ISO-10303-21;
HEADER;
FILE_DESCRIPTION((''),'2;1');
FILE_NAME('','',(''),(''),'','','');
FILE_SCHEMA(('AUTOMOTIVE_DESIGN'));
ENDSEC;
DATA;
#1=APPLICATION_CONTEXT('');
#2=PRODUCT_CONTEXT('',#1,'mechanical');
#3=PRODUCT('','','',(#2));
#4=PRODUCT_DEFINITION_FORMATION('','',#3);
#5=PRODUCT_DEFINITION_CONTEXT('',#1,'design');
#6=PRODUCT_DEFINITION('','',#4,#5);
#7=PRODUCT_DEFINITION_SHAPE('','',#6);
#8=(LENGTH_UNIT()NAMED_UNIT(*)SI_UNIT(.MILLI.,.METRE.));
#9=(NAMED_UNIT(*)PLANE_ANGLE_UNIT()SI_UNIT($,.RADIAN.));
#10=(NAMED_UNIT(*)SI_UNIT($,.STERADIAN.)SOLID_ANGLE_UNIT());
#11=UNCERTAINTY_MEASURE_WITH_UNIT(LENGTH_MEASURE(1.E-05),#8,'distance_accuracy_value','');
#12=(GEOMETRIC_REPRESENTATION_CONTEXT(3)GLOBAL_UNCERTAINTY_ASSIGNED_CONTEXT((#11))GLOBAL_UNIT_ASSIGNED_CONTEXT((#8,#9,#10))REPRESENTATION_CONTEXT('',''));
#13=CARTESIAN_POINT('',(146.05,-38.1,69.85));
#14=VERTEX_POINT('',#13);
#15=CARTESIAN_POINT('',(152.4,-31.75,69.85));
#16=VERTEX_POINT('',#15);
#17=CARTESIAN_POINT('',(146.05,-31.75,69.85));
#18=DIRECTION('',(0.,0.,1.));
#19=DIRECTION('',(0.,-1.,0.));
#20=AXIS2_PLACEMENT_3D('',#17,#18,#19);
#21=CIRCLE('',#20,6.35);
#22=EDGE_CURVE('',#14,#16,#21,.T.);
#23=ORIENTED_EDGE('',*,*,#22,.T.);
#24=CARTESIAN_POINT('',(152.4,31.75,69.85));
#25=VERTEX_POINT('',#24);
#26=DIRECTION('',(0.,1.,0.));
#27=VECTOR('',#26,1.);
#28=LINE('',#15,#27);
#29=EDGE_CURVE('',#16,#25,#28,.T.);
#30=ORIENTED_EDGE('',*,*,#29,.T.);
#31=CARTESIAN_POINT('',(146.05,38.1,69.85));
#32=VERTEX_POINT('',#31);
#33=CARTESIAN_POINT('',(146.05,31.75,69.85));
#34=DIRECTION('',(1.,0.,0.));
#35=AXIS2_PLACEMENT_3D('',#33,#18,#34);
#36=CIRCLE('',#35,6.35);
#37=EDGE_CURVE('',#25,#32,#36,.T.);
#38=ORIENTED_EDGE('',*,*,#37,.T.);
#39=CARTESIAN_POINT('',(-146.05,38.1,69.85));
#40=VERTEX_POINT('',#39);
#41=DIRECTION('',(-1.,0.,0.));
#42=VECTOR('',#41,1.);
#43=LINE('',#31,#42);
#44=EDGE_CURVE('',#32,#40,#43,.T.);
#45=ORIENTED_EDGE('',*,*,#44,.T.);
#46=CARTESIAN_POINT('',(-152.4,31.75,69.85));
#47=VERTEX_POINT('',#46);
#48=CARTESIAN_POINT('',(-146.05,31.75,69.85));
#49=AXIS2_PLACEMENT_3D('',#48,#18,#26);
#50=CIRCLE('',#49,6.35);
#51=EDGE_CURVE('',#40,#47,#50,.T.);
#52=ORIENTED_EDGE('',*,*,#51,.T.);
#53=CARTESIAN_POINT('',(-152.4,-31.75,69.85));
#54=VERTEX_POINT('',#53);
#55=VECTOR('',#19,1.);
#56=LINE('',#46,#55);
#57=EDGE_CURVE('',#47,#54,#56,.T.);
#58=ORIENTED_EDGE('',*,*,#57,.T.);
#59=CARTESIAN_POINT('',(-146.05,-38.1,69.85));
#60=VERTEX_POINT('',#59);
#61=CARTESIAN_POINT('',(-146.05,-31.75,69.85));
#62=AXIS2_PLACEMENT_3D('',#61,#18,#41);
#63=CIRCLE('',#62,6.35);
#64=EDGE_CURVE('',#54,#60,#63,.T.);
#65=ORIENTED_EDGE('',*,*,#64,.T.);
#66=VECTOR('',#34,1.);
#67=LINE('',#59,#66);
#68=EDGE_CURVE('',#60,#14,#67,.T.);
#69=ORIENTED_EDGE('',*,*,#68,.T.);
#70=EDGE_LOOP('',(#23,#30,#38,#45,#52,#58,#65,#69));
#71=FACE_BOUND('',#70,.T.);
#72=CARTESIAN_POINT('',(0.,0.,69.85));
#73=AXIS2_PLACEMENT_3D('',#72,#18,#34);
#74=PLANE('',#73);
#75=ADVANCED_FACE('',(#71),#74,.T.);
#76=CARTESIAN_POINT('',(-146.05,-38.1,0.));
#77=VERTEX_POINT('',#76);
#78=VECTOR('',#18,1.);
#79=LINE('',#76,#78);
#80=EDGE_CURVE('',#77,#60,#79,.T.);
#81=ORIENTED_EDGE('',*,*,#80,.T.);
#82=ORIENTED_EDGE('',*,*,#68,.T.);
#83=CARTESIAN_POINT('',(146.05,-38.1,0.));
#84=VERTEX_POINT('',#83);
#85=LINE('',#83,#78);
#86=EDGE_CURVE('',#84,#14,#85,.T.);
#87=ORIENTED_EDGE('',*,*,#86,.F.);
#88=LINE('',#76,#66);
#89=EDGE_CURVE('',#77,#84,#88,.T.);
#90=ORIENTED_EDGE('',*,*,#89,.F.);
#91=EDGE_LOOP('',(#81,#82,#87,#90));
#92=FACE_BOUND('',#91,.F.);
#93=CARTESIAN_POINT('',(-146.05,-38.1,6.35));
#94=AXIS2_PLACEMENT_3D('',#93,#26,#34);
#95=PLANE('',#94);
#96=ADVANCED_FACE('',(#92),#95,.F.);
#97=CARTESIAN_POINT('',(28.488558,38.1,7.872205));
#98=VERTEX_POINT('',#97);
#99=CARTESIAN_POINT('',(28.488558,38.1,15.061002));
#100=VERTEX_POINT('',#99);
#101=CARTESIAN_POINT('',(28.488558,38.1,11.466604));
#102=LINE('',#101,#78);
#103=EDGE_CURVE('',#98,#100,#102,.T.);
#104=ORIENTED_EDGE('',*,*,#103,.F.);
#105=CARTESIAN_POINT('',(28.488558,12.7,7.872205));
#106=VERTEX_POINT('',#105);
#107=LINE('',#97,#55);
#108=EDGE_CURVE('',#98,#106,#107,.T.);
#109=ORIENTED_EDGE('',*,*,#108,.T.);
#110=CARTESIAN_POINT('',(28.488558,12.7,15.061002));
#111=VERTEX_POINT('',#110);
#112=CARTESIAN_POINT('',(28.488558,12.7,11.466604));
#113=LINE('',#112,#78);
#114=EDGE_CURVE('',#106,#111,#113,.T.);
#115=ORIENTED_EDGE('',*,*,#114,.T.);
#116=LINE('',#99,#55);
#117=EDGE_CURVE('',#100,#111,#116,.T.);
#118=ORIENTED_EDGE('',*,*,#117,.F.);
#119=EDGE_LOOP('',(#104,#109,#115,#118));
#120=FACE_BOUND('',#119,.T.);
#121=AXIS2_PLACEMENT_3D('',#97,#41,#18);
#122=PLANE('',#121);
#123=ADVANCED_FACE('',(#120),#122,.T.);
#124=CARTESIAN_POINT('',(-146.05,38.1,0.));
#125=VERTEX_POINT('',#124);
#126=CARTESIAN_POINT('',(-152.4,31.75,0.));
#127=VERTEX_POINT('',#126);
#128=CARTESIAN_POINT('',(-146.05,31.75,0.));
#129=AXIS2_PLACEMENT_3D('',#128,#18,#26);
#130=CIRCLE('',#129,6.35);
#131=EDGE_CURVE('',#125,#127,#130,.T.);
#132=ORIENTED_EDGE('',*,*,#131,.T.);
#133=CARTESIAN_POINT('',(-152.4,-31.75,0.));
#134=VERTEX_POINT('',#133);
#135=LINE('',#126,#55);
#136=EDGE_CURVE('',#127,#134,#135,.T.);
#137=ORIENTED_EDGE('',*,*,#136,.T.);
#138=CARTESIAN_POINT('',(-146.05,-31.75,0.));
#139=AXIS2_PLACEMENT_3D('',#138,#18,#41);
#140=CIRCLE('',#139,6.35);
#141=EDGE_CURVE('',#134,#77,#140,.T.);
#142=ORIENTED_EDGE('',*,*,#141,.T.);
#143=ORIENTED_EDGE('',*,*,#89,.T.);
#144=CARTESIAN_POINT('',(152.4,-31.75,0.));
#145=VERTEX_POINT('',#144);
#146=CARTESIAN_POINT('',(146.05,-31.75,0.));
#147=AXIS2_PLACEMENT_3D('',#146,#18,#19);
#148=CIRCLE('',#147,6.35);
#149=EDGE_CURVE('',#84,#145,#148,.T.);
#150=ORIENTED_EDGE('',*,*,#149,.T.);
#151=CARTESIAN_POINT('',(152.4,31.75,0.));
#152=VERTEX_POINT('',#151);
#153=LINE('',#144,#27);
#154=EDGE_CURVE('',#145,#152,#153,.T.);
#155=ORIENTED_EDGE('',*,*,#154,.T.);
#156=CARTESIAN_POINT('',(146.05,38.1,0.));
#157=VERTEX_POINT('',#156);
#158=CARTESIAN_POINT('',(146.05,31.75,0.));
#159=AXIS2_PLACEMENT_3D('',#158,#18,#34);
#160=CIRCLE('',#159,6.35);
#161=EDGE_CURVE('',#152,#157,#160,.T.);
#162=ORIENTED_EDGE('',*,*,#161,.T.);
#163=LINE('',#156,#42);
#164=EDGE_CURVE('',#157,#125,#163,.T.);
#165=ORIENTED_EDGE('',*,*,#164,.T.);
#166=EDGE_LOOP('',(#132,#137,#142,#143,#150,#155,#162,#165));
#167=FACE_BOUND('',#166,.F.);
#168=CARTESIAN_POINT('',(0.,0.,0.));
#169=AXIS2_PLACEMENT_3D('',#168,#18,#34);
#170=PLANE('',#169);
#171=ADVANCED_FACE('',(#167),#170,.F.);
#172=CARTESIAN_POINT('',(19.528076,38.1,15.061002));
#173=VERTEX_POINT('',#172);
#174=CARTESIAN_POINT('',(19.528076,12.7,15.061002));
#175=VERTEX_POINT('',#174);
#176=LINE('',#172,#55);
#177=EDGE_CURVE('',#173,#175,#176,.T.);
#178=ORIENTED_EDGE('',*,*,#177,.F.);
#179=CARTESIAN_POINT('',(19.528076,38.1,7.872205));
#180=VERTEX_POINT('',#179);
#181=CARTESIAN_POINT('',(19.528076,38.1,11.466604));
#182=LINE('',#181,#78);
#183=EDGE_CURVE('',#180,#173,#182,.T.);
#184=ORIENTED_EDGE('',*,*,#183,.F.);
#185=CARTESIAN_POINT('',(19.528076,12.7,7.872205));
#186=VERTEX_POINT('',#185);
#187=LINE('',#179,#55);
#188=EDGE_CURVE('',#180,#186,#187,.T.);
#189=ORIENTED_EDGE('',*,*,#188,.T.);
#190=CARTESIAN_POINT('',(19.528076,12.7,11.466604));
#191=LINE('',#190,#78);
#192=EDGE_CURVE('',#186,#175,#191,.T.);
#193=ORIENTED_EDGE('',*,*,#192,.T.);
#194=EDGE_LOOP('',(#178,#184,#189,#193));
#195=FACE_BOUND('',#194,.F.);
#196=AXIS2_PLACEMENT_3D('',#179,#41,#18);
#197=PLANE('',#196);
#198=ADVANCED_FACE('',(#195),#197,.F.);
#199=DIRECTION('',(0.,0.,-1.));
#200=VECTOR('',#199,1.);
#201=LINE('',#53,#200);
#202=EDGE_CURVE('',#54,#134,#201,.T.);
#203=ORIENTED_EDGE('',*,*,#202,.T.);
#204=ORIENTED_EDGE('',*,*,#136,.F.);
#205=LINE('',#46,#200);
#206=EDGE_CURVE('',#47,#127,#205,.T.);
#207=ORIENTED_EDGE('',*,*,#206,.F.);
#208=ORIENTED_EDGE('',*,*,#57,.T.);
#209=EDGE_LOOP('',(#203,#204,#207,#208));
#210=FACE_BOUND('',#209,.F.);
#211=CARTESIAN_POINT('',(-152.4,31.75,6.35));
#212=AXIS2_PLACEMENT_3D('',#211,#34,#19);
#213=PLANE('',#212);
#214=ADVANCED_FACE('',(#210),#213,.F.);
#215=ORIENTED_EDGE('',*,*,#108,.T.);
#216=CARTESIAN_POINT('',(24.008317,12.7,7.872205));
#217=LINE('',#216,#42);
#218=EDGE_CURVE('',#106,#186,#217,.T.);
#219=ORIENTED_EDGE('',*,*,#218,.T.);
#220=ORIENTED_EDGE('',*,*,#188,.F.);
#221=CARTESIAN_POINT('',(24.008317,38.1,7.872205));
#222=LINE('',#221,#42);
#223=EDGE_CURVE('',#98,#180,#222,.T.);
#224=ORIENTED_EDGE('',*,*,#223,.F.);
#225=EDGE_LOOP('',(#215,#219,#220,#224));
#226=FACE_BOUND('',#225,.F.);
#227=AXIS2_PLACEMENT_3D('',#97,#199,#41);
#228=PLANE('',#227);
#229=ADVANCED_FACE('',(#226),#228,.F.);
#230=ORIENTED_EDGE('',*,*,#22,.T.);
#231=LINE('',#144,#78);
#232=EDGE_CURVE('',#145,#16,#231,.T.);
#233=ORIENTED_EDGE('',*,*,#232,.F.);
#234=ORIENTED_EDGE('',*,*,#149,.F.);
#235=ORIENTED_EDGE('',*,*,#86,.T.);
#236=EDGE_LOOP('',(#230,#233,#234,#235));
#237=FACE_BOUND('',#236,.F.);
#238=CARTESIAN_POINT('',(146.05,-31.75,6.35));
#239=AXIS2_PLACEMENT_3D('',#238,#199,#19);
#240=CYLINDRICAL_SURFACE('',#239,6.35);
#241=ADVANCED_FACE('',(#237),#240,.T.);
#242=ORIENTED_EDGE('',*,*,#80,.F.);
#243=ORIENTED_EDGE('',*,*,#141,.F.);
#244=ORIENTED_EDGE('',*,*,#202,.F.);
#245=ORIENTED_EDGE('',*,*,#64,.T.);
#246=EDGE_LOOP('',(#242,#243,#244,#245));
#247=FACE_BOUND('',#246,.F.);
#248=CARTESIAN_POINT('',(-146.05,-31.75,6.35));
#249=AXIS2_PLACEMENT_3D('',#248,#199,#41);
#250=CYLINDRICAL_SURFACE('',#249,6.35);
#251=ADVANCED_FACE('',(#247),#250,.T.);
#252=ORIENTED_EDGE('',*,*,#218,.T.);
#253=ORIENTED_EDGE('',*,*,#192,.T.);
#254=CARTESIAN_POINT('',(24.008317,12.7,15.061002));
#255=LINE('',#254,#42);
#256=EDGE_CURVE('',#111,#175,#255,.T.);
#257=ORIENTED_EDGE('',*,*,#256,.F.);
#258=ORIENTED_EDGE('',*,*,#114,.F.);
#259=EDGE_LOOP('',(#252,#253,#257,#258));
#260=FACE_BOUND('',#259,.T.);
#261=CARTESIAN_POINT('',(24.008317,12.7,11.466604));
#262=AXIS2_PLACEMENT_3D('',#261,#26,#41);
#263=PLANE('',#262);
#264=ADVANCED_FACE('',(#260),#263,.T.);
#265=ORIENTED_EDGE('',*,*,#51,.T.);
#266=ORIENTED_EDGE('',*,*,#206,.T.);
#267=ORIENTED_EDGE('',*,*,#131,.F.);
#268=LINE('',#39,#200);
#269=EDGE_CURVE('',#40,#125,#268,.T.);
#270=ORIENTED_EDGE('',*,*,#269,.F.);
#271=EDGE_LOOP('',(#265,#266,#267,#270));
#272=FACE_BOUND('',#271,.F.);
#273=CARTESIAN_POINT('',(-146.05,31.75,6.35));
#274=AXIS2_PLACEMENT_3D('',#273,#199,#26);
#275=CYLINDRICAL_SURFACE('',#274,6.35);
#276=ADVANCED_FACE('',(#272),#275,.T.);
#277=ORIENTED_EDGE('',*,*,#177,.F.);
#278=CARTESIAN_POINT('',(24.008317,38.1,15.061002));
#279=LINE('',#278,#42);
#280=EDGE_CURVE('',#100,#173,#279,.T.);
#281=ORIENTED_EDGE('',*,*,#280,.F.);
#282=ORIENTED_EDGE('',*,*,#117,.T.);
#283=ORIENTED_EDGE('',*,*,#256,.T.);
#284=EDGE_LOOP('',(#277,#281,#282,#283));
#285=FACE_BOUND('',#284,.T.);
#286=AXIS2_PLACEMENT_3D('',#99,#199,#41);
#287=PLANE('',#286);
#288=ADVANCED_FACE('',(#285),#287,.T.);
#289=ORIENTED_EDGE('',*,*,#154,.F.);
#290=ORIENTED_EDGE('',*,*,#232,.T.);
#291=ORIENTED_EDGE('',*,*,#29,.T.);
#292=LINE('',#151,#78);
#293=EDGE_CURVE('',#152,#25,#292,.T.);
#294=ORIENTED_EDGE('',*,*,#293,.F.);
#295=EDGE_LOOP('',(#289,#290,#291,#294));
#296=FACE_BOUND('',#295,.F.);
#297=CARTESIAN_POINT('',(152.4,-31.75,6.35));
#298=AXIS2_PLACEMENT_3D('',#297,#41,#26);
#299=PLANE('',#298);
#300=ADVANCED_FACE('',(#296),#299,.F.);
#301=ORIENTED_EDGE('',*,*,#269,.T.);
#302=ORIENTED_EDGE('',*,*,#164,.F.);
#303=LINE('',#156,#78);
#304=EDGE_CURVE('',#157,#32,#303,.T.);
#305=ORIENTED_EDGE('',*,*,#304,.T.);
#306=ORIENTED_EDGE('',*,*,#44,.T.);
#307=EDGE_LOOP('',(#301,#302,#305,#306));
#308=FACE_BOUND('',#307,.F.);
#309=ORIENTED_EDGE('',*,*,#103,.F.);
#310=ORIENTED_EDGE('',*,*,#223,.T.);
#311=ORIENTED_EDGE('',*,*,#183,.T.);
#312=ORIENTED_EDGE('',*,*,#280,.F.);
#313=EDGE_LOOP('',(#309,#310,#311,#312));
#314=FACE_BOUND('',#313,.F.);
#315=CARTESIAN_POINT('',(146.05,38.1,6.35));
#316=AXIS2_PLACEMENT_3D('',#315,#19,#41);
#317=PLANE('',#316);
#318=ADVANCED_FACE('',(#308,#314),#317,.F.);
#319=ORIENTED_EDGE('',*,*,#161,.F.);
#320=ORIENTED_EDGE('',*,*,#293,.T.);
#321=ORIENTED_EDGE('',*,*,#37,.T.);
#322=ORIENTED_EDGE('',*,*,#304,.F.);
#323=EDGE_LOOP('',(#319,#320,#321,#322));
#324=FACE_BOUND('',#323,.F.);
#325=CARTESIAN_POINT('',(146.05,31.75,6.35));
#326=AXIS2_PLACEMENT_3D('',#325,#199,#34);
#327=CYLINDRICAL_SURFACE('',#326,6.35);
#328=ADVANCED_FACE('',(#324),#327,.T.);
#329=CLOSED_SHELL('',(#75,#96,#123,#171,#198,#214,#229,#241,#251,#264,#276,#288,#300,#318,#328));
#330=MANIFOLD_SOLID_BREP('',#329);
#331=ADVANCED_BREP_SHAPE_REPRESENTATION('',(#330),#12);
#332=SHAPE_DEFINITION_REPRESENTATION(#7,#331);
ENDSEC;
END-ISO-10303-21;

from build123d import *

# Parameters (mm, degrees)
F5_DEPTH = 6.35
F1_DEPTH = 63.5
F2_W     = 8.9604817331
F2_H     = 7.1887969971
F3_DEPTH = 25.4


with BuildPart() as f5:
    # F4 (on Top) → F5 (new body)
    with BuildSketch(Plane.XY):
        with BuildLine():
            Line((-146.05, -38.1), (146.05, -38.1))
            ThreePointArc((146.05, -38.1), (150.5401280605, -36.2401280605), (152.4, -31.75))
            Line((152.4, -31.75), (152.4, 31.75))
            ThreePointArc((152.4, 31.75), (150.5401280605, 36.2401280605), (146.05, 38.1))
            Line((146.05, 38.1), (-146.05, 38.1))
            ThreePointArc((-146.05, 38.1), (-150.5401280605, 36.2401280605), (-152.4, 31.75))
            Line((-152.4, 31.75), (-152.4, -31.75))
            ThreePointArc((-152.4, -31.75), (-150.5401280605, -36.2401280605), (-146.05, -38.1))
        make_face()
    extrude(amount=F5_DEPTH)

    # F0 (on face) → F1 (join)
    with BuildSketch(Plane.XY.offset(6.35)):
        with BuildLine():
            ThreePointArc((-152.4, -31.75), (-150.5401280605, -36.2401280605), (-146.05, -38.1))
            Line((-146.05, -38.1), (146.05, -38.1))
            ThreePointArc((146.05, -38.1), (150.5401280605, -36.2401280605), (152.4, -31.75))
            Line((152.4, -31.75), (152.4, 31.75))
            ThreePointArc((152.4, 31.75), (150.5401280605, 36.2401280605), (146.05, 38.1))
            Line((146.05, 38.1), (-146.05, 38.1))
            ThreePointArc((-146.05, 38.1), (-150.5401280605, 36.2401280605), (-152.4, 31.75))
            Line((-152.4, 31.75), (-152.4, -31.75))
        make_face()
    extrude(amount=F1_DEPTH)

    # F2 (on face) → F3 (cut)
    with BuildSketch(Plane(origin=(0, 38.1, 0), x_dir=(-1, 0, 0), z_dir=(0, 1, 0))):
        with Locations((-24.0083169192, 11.4666037261)):
            Rectangle(F2_W, F2_H)
    extrude(amount=-F3_DEPTH, mode=Mode.SUBTRACT)


solid = f5.part
